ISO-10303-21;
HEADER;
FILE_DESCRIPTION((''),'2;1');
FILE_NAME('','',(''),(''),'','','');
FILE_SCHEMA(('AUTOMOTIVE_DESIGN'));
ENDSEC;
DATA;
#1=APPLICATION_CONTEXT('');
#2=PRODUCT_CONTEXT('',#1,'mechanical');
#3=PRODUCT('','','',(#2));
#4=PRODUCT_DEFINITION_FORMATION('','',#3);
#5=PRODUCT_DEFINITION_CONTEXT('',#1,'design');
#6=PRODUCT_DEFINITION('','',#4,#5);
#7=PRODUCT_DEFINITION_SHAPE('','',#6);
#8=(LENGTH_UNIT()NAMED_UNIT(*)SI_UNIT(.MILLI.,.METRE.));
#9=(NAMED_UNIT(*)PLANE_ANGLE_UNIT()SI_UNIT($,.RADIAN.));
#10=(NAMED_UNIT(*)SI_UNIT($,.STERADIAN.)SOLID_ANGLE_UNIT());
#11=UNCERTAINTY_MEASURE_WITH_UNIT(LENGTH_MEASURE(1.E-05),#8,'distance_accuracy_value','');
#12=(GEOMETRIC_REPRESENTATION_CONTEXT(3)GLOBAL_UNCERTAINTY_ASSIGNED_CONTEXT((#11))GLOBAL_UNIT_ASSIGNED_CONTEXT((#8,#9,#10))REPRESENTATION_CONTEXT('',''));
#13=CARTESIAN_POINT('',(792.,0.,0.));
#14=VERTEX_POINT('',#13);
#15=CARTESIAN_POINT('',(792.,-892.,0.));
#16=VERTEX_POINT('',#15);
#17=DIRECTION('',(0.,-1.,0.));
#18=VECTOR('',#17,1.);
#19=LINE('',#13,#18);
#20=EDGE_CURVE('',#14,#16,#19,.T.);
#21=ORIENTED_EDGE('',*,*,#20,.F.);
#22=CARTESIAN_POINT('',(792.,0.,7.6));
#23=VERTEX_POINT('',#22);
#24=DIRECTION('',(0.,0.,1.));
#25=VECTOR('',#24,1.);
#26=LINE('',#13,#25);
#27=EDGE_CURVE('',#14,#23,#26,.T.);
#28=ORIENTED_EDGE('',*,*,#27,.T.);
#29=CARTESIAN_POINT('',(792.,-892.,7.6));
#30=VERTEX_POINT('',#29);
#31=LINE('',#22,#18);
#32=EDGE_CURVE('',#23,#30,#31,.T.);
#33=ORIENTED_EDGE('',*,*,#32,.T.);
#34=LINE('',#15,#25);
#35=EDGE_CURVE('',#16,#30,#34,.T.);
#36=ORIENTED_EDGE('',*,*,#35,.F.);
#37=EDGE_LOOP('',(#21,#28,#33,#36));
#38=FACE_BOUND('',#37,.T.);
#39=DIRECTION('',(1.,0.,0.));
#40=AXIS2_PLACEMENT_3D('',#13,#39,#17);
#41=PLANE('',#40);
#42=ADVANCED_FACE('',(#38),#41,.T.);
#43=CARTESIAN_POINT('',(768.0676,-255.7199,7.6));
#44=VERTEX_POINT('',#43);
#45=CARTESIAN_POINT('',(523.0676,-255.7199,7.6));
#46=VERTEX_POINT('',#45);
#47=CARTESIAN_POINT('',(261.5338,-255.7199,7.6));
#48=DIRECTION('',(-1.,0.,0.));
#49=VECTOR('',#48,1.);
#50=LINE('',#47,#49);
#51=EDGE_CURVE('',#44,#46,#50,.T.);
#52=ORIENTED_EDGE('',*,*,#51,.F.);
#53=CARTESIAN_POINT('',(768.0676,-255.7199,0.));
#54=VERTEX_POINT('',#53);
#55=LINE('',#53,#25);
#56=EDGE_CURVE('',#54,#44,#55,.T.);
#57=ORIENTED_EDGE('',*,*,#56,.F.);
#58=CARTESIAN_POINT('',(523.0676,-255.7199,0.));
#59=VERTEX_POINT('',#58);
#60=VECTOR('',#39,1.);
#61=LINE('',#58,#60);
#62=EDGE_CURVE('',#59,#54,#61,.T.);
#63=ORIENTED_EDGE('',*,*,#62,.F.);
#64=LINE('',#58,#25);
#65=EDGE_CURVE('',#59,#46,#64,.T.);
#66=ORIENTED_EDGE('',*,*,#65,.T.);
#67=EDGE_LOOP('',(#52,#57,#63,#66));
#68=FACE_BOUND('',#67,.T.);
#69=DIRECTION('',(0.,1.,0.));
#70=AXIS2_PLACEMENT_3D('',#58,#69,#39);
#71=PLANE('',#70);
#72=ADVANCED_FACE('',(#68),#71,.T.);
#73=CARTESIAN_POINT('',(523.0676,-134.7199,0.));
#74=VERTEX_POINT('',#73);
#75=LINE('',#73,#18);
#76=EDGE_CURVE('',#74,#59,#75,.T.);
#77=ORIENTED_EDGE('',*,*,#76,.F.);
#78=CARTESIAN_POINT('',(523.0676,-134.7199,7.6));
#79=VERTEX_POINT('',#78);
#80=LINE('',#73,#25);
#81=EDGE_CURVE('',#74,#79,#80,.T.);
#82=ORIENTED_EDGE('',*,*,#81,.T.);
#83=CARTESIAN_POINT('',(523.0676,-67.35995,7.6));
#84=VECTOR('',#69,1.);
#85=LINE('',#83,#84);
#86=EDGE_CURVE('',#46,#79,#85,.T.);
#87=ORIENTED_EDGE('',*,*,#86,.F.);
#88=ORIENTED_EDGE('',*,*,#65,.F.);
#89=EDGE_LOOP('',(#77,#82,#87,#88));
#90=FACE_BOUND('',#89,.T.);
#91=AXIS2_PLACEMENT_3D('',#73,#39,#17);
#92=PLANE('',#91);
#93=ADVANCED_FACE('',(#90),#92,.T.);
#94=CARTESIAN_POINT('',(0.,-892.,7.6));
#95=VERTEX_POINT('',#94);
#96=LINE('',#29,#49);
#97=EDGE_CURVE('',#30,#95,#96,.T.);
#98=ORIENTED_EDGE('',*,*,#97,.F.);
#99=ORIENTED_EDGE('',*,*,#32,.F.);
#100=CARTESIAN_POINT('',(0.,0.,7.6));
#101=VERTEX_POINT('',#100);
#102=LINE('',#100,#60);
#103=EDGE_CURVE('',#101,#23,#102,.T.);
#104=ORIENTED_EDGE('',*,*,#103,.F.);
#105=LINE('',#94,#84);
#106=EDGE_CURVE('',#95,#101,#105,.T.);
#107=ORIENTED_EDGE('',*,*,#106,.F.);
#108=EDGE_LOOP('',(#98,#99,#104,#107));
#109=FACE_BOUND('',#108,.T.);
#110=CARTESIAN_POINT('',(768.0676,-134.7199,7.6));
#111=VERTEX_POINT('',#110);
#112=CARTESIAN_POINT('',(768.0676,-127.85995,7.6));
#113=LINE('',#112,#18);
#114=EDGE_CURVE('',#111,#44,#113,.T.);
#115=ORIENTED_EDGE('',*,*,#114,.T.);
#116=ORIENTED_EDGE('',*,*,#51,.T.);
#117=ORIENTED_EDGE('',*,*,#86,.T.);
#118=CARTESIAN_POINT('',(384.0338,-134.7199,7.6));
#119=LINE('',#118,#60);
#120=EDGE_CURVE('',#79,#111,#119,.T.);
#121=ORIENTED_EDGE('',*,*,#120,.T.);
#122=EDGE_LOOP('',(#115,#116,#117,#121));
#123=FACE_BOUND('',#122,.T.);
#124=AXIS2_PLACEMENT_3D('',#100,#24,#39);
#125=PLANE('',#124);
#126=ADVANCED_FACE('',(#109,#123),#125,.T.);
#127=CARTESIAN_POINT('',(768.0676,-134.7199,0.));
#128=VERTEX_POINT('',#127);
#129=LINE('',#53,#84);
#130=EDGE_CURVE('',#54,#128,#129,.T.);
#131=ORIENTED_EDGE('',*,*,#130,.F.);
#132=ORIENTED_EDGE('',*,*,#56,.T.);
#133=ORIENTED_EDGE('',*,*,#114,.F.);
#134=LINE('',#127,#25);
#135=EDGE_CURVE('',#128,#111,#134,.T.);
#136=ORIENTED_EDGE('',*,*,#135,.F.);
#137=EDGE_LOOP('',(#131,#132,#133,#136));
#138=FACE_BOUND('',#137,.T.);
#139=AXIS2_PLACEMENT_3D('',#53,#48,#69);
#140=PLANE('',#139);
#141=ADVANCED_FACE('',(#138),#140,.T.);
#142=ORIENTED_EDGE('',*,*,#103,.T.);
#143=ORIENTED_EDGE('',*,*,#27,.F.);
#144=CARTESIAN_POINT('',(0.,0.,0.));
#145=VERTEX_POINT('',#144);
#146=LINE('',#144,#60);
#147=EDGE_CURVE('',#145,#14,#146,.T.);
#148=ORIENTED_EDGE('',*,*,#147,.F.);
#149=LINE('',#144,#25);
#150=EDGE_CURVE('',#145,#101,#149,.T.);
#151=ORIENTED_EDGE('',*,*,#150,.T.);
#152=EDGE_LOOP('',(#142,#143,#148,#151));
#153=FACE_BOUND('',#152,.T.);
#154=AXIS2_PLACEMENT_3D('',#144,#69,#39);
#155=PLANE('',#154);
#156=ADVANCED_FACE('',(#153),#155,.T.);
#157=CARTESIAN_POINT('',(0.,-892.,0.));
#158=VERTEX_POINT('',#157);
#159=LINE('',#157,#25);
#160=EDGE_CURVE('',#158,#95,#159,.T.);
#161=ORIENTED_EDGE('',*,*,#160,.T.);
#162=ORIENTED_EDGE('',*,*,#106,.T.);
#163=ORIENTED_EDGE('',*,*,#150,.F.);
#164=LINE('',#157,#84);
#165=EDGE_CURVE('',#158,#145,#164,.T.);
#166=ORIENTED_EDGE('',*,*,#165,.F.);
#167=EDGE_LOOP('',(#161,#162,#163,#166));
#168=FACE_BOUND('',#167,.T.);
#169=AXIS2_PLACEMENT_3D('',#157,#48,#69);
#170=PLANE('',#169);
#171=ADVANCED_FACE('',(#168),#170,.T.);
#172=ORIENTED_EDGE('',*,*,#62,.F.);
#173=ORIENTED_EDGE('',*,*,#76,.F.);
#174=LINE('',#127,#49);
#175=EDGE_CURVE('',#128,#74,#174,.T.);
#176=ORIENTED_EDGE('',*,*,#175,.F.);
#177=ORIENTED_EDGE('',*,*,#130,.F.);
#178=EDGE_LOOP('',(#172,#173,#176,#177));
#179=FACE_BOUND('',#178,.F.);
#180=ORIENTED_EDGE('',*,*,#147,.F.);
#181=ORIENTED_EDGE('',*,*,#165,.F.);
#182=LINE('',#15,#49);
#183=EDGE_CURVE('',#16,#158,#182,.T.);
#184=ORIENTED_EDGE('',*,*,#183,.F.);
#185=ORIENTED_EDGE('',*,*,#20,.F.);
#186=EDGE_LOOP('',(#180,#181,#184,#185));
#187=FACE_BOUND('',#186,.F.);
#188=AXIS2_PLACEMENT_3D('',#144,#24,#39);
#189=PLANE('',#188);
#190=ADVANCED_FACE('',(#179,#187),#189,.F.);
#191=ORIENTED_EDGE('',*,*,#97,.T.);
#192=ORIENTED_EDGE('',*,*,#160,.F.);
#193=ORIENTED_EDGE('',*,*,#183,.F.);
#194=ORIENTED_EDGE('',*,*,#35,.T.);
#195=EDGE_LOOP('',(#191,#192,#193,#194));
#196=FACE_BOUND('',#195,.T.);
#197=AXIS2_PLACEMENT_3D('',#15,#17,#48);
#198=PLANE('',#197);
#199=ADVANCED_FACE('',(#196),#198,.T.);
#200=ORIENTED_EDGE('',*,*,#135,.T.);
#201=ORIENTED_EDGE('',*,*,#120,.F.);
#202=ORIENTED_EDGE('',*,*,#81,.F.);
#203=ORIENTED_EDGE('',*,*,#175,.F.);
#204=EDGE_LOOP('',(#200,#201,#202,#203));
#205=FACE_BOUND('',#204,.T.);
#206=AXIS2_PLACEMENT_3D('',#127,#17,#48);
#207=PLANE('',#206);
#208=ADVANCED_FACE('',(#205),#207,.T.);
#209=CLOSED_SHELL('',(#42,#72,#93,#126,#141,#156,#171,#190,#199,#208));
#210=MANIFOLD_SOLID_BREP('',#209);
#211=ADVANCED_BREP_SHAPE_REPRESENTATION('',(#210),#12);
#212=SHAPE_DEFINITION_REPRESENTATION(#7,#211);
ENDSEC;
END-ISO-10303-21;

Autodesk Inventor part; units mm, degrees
ref_plane "YZ Plane" through (0, 0, 0) normal (1, 0, 0) x (0, 1, 0)
ref_plane "XZ Plane" through (0, 0, 0) normal (0, 1, 0) x (-1, 0, 0)
ref_plane "XY Plane" through (0, 0, 0) normal (0, 0, 1) x (1, 0, 0)
sketch "草图1" plane through (0, 0, 0) normal (0, 0, 1) x (1, 0, 0)
  line L0 (0, 0) -> (792, 0)
  line L1 (792, 0) -> (792, -892)
  line L2 (792, -892) -> (0, -892)
  line L3 (0, -892) -> (0, 0)
  dimension "d0" = 792
  dimension "d1" = 892
extrude "拉伸1" add sketch "草图1" along normal blind 7.6
sketch "草图2" plane through (0, 0, 0) normal (0, 0, -1) x (-1, 0, 0)
  line L0 (-768.0676, -134.7199) -> (-523.0676, -134.7199)
  line L1 (-523.0676, -134.7199) -> (-523.0676, -255.7199)
  line L2 (-523.0676, -255.7199) -> (-768.0676, -255.7199)
  line L3 (-768.0676, -255.7199) -> (-768.0676, -134.7199)
  point P0 (0, 0)
  dimension "d4" = 245
  dimension "d5" = 121
extrude "拉伸2" cut sketch "草图2" against normal blind 10
properties part number "玻纤板2"
